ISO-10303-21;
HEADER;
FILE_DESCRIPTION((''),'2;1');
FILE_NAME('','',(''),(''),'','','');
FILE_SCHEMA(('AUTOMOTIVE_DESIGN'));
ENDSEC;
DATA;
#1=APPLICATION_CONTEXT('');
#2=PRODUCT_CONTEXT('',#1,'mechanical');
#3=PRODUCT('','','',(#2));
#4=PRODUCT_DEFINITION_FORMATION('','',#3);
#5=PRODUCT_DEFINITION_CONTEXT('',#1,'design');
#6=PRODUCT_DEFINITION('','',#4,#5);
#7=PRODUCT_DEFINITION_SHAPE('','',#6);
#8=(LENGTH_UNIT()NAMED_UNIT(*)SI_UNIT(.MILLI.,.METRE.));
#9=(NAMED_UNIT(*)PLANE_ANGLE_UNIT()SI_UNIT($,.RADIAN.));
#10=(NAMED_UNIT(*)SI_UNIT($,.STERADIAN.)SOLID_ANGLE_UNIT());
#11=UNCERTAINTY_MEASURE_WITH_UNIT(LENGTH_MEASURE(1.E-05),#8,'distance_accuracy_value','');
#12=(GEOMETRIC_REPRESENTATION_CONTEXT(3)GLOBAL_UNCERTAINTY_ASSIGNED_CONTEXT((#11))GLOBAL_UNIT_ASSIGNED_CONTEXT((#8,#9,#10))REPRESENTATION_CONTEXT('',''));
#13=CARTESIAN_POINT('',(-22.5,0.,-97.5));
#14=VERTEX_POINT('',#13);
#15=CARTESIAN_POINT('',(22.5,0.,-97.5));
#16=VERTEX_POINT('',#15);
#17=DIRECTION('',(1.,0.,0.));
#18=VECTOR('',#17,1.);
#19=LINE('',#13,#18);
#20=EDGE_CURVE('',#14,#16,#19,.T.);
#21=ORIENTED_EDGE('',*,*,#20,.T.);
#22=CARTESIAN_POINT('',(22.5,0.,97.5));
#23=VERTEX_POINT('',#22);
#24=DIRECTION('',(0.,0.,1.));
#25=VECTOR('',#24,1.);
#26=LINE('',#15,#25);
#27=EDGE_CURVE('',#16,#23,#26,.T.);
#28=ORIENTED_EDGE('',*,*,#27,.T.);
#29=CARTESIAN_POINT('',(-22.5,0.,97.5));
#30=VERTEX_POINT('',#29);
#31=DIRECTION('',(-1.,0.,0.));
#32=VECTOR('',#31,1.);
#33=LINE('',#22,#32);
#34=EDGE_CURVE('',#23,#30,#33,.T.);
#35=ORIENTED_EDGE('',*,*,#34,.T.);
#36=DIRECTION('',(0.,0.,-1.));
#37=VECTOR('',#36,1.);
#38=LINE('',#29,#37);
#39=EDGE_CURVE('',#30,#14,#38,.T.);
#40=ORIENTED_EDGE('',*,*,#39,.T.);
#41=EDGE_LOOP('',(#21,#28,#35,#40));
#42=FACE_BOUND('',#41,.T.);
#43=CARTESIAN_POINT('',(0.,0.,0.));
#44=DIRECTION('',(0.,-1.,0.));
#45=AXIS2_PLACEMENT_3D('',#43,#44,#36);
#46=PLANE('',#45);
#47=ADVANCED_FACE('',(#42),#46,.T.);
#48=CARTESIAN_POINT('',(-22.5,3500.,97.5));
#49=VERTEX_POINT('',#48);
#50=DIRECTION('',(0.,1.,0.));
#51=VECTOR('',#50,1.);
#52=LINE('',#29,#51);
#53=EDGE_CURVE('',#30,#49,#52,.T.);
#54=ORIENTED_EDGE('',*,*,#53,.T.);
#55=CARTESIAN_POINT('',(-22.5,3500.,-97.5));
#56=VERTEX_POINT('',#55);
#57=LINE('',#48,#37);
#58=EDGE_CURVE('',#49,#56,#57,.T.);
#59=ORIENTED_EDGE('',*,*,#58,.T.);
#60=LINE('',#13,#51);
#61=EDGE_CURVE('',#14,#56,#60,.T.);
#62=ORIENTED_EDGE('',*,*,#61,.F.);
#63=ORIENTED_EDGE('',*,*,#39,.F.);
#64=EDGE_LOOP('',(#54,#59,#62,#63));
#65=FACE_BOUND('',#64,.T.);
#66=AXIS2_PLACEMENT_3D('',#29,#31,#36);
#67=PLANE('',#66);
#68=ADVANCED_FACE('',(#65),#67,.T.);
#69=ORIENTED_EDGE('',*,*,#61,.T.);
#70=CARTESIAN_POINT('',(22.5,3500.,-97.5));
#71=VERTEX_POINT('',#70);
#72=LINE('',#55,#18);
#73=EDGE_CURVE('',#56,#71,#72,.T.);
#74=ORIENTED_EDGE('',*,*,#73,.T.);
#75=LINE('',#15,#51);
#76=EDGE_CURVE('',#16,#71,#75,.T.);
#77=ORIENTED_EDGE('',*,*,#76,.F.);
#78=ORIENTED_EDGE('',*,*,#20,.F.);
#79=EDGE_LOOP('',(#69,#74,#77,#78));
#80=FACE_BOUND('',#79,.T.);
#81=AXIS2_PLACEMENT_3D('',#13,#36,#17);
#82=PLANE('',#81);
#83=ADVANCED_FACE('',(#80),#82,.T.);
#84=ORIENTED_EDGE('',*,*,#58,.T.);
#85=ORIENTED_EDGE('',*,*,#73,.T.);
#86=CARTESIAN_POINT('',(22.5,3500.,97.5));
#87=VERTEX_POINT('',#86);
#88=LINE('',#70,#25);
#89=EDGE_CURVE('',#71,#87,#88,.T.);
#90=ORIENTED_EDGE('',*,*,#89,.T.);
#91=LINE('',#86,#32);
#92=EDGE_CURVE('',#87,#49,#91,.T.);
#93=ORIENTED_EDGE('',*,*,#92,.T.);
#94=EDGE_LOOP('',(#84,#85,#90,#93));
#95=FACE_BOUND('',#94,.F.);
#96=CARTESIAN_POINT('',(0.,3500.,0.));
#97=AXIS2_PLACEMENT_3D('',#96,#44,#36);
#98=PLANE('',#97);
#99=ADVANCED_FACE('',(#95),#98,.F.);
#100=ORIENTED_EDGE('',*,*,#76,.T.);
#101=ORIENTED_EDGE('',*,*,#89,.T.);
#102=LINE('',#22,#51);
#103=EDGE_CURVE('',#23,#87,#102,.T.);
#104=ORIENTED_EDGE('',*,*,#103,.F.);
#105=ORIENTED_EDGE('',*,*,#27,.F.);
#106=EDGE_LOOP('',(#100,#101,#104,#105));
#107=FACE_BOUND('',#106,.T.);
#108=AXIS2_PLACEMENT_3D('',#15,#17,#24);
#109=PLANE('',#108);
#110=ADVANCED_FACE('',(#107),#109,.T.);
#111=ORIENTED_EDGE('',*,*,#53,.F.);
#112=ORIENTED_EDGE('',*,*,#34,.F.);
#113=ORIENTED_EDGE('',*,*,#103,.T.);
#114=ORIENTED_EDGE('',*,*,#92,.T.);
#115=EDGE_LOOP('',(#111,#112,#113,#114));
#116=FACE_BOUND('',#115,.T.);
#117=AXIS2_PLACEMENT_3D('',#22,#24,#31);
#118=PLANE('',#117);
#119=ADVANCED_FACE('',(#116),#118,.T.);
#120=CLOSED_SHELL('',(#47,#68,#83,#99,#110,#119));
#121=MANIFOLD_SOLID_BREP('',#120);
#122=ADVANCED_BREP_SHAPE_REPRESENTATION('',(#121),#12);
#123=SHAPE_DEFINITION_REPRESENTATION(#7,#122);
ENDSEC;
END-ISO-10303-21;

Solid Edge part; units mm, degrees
sketch "Sketch1" plane through (0, 0, 0) normal (0, -1, 0) x (1, 0, 0)
  line L0 (-22.5, -97.5) -> (22.5, -97.5)
  line L1 (22.5, -97.5) -> (22.5, 97.5)
  line L2 (22.5, 97.5) -> (-22.5, 97.5)
  line L3 (-22.5, 97.5) -> (-22.5, -97.5)
extrude "Protrusion1" add sketch "Sketch1" against normal blind 3500
properties material "Wood, Pine"
